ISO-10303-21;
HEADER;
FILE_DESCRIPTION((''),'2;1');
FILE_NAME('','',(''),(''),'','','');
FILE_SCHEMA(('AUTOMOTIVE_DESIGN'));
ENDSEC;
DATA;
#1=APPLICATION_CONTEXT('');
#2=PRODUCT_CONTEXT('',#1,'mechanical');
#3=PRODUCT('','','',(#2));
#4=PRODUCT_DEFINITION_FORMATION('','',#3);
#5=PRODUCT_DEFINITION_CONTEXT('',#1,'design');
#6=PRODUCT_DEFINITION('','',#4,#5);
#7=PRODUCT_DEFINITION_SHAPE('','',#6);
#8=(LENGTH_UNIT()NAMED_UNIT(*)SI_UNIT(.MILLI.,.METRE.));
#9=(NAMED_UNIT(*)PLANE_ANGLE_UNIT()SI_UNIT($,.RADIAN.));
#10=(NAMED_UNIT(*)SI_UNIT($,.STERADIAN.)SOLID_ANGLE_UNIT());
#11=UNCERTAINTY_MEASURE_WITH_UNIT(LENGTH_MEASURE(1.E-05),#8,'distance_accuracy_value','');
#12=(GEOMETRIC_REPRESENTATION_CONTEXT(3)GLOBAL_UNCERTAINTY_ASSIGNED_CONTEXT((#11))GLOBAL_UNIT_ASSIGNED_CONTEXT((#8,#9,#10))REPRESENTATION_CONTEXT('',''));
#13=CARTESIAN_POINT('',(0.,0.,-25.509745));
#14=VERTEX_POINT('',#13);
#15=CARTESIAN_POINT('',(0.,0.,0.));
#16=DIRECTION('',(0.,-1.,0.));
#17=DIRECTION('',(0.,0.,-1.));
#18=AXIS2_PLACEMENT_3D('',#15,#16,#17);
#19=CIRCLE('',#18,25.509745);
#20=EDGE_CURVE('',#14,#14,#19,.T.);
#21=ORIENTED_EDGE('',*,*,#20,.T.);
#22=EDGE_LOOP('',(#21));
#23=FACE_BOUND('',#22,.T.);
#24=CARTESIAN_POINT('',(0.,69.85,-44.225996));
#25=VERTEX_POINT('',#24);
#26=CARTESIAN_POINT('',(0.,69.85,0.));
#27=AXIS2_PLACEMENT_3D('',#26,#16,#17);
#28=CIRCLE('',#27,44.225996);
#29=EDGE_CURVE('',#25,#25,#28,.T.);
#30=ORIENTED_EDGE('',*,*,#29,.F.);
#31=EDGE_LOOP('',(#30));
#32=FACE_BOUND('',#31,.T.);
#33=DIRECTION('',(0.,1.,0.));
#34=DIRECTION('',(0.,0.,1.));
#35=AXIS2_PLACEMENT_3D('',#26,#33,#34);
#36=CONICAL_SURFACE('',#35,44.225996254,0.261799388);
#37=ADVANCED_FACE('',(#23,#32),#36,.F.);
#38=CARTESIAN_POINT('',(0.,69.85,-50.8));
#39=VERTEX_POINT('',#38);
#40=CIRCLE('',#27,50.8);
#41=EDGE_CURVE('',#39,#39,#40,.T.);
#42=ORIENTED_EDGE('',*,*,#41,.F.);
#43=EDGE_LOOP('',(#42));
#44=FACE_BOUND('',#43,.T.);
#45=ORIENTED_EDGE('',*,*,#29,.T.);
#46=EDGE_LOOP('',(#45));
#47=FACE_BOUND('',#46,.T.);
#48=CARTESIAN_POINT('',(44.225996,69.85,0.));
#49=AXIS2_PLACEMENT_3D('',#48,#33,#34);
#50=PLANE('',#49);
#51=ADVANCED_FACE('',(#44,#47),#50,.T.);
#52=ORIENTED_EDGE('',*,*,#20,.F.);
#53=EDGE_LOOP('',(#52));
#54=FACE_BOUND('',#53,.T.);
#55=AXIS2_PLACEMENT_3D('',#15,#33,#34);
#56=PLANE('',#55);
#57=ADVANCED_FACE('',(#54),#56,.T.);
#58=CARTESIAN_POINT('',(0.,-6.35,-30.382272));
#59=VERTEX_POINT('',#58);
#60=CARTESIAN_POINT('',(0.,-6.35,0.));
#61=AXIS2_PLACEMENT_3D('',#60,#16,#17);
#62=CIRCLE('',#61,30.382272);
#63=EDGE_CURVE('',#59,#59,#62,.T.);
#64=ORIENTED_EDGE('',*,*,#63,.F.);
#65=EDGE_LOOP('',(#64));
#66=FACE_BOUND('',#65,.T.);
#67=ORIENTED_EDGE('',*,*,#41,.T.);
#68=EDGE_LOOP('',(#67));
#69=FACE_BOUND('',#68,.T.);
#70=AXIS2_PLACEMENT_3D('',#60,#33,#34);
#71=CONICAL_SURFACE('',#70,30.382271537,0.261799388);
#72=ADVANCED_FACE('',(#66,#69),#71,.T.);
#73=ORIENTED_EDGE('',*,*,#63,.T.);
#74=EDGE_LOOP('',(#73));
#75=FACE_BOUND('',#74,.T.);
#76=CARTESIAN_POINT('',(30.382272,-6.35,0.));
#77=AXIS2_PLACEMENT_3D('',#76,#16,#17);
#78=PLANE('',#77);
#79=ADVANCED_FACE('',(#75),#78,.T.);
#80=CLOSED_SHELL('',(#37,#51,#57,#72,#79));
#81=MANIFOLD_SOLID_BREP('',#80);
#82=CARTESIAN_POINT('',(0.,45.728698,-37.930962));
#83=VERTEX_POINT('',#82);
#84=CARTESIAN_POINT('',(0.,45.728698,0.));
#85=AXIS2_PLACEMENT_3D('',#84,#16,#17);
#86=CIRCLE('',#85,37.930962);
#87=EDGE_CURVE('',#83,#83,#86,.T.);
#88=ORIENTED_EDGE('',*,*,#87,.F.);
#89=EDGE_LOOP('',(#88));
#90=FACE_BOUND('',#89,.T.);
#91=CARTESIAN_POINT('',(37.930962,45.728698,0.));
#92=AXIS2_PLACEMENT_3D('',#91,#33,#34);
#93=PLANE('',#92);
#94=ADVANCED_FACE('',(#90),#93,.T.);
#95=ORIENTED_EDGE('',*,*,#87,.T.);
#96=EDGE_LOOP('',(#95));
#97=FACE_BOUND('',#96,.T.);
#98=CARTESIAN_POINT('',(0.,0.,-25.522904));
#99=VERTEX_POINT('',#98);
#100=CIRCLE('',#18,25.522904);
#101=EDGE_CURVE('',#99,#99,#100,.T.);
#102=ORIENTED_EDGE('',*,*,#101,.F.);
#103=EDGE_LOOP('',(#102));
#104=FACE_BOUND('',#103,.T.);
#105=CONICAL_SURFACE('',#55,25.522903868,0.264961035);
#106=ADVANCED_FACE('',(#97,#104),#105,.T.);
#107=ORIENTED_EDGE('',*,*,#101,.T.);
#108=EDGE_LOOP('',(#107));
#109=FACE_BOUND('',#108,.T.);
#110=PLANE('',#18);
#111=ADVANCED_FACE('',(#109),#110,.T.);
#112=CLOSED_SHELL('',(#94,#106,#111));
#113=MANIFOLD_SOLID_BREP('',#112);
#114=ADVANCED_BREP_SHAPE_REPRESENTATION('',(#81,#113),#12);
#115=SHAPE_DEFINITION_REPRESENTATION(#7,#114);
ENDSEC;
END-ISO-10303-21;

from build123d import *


with BuildPart() as part:
    # Sketch1 → Revolve1 (revolve)
    with BuildSketch(Plane.XY):
        Polygon((0, 0), (25.509745163, 0), (44.225996254, 69.85), (50.8, 69.85), (30.382271537, -6.35), (0, -6.35), align=None)
    revolve(axis=Axis((0, 0, 0), (0, 1, 0)))


with BuildPart() as body_2:
    # Sketch2 → Revolve2 (revolve)
    with BuildSketch(Plane.XY):
        Polygon((0, 0), (25.522903868, 0), (37.930961748, 45.728698118), (0, 45.728698118), align=None)
    revolve(axis=Axis((0, 0, 0), (0, 1, 0)))


solid = Compound([part.part, body_2.part])
